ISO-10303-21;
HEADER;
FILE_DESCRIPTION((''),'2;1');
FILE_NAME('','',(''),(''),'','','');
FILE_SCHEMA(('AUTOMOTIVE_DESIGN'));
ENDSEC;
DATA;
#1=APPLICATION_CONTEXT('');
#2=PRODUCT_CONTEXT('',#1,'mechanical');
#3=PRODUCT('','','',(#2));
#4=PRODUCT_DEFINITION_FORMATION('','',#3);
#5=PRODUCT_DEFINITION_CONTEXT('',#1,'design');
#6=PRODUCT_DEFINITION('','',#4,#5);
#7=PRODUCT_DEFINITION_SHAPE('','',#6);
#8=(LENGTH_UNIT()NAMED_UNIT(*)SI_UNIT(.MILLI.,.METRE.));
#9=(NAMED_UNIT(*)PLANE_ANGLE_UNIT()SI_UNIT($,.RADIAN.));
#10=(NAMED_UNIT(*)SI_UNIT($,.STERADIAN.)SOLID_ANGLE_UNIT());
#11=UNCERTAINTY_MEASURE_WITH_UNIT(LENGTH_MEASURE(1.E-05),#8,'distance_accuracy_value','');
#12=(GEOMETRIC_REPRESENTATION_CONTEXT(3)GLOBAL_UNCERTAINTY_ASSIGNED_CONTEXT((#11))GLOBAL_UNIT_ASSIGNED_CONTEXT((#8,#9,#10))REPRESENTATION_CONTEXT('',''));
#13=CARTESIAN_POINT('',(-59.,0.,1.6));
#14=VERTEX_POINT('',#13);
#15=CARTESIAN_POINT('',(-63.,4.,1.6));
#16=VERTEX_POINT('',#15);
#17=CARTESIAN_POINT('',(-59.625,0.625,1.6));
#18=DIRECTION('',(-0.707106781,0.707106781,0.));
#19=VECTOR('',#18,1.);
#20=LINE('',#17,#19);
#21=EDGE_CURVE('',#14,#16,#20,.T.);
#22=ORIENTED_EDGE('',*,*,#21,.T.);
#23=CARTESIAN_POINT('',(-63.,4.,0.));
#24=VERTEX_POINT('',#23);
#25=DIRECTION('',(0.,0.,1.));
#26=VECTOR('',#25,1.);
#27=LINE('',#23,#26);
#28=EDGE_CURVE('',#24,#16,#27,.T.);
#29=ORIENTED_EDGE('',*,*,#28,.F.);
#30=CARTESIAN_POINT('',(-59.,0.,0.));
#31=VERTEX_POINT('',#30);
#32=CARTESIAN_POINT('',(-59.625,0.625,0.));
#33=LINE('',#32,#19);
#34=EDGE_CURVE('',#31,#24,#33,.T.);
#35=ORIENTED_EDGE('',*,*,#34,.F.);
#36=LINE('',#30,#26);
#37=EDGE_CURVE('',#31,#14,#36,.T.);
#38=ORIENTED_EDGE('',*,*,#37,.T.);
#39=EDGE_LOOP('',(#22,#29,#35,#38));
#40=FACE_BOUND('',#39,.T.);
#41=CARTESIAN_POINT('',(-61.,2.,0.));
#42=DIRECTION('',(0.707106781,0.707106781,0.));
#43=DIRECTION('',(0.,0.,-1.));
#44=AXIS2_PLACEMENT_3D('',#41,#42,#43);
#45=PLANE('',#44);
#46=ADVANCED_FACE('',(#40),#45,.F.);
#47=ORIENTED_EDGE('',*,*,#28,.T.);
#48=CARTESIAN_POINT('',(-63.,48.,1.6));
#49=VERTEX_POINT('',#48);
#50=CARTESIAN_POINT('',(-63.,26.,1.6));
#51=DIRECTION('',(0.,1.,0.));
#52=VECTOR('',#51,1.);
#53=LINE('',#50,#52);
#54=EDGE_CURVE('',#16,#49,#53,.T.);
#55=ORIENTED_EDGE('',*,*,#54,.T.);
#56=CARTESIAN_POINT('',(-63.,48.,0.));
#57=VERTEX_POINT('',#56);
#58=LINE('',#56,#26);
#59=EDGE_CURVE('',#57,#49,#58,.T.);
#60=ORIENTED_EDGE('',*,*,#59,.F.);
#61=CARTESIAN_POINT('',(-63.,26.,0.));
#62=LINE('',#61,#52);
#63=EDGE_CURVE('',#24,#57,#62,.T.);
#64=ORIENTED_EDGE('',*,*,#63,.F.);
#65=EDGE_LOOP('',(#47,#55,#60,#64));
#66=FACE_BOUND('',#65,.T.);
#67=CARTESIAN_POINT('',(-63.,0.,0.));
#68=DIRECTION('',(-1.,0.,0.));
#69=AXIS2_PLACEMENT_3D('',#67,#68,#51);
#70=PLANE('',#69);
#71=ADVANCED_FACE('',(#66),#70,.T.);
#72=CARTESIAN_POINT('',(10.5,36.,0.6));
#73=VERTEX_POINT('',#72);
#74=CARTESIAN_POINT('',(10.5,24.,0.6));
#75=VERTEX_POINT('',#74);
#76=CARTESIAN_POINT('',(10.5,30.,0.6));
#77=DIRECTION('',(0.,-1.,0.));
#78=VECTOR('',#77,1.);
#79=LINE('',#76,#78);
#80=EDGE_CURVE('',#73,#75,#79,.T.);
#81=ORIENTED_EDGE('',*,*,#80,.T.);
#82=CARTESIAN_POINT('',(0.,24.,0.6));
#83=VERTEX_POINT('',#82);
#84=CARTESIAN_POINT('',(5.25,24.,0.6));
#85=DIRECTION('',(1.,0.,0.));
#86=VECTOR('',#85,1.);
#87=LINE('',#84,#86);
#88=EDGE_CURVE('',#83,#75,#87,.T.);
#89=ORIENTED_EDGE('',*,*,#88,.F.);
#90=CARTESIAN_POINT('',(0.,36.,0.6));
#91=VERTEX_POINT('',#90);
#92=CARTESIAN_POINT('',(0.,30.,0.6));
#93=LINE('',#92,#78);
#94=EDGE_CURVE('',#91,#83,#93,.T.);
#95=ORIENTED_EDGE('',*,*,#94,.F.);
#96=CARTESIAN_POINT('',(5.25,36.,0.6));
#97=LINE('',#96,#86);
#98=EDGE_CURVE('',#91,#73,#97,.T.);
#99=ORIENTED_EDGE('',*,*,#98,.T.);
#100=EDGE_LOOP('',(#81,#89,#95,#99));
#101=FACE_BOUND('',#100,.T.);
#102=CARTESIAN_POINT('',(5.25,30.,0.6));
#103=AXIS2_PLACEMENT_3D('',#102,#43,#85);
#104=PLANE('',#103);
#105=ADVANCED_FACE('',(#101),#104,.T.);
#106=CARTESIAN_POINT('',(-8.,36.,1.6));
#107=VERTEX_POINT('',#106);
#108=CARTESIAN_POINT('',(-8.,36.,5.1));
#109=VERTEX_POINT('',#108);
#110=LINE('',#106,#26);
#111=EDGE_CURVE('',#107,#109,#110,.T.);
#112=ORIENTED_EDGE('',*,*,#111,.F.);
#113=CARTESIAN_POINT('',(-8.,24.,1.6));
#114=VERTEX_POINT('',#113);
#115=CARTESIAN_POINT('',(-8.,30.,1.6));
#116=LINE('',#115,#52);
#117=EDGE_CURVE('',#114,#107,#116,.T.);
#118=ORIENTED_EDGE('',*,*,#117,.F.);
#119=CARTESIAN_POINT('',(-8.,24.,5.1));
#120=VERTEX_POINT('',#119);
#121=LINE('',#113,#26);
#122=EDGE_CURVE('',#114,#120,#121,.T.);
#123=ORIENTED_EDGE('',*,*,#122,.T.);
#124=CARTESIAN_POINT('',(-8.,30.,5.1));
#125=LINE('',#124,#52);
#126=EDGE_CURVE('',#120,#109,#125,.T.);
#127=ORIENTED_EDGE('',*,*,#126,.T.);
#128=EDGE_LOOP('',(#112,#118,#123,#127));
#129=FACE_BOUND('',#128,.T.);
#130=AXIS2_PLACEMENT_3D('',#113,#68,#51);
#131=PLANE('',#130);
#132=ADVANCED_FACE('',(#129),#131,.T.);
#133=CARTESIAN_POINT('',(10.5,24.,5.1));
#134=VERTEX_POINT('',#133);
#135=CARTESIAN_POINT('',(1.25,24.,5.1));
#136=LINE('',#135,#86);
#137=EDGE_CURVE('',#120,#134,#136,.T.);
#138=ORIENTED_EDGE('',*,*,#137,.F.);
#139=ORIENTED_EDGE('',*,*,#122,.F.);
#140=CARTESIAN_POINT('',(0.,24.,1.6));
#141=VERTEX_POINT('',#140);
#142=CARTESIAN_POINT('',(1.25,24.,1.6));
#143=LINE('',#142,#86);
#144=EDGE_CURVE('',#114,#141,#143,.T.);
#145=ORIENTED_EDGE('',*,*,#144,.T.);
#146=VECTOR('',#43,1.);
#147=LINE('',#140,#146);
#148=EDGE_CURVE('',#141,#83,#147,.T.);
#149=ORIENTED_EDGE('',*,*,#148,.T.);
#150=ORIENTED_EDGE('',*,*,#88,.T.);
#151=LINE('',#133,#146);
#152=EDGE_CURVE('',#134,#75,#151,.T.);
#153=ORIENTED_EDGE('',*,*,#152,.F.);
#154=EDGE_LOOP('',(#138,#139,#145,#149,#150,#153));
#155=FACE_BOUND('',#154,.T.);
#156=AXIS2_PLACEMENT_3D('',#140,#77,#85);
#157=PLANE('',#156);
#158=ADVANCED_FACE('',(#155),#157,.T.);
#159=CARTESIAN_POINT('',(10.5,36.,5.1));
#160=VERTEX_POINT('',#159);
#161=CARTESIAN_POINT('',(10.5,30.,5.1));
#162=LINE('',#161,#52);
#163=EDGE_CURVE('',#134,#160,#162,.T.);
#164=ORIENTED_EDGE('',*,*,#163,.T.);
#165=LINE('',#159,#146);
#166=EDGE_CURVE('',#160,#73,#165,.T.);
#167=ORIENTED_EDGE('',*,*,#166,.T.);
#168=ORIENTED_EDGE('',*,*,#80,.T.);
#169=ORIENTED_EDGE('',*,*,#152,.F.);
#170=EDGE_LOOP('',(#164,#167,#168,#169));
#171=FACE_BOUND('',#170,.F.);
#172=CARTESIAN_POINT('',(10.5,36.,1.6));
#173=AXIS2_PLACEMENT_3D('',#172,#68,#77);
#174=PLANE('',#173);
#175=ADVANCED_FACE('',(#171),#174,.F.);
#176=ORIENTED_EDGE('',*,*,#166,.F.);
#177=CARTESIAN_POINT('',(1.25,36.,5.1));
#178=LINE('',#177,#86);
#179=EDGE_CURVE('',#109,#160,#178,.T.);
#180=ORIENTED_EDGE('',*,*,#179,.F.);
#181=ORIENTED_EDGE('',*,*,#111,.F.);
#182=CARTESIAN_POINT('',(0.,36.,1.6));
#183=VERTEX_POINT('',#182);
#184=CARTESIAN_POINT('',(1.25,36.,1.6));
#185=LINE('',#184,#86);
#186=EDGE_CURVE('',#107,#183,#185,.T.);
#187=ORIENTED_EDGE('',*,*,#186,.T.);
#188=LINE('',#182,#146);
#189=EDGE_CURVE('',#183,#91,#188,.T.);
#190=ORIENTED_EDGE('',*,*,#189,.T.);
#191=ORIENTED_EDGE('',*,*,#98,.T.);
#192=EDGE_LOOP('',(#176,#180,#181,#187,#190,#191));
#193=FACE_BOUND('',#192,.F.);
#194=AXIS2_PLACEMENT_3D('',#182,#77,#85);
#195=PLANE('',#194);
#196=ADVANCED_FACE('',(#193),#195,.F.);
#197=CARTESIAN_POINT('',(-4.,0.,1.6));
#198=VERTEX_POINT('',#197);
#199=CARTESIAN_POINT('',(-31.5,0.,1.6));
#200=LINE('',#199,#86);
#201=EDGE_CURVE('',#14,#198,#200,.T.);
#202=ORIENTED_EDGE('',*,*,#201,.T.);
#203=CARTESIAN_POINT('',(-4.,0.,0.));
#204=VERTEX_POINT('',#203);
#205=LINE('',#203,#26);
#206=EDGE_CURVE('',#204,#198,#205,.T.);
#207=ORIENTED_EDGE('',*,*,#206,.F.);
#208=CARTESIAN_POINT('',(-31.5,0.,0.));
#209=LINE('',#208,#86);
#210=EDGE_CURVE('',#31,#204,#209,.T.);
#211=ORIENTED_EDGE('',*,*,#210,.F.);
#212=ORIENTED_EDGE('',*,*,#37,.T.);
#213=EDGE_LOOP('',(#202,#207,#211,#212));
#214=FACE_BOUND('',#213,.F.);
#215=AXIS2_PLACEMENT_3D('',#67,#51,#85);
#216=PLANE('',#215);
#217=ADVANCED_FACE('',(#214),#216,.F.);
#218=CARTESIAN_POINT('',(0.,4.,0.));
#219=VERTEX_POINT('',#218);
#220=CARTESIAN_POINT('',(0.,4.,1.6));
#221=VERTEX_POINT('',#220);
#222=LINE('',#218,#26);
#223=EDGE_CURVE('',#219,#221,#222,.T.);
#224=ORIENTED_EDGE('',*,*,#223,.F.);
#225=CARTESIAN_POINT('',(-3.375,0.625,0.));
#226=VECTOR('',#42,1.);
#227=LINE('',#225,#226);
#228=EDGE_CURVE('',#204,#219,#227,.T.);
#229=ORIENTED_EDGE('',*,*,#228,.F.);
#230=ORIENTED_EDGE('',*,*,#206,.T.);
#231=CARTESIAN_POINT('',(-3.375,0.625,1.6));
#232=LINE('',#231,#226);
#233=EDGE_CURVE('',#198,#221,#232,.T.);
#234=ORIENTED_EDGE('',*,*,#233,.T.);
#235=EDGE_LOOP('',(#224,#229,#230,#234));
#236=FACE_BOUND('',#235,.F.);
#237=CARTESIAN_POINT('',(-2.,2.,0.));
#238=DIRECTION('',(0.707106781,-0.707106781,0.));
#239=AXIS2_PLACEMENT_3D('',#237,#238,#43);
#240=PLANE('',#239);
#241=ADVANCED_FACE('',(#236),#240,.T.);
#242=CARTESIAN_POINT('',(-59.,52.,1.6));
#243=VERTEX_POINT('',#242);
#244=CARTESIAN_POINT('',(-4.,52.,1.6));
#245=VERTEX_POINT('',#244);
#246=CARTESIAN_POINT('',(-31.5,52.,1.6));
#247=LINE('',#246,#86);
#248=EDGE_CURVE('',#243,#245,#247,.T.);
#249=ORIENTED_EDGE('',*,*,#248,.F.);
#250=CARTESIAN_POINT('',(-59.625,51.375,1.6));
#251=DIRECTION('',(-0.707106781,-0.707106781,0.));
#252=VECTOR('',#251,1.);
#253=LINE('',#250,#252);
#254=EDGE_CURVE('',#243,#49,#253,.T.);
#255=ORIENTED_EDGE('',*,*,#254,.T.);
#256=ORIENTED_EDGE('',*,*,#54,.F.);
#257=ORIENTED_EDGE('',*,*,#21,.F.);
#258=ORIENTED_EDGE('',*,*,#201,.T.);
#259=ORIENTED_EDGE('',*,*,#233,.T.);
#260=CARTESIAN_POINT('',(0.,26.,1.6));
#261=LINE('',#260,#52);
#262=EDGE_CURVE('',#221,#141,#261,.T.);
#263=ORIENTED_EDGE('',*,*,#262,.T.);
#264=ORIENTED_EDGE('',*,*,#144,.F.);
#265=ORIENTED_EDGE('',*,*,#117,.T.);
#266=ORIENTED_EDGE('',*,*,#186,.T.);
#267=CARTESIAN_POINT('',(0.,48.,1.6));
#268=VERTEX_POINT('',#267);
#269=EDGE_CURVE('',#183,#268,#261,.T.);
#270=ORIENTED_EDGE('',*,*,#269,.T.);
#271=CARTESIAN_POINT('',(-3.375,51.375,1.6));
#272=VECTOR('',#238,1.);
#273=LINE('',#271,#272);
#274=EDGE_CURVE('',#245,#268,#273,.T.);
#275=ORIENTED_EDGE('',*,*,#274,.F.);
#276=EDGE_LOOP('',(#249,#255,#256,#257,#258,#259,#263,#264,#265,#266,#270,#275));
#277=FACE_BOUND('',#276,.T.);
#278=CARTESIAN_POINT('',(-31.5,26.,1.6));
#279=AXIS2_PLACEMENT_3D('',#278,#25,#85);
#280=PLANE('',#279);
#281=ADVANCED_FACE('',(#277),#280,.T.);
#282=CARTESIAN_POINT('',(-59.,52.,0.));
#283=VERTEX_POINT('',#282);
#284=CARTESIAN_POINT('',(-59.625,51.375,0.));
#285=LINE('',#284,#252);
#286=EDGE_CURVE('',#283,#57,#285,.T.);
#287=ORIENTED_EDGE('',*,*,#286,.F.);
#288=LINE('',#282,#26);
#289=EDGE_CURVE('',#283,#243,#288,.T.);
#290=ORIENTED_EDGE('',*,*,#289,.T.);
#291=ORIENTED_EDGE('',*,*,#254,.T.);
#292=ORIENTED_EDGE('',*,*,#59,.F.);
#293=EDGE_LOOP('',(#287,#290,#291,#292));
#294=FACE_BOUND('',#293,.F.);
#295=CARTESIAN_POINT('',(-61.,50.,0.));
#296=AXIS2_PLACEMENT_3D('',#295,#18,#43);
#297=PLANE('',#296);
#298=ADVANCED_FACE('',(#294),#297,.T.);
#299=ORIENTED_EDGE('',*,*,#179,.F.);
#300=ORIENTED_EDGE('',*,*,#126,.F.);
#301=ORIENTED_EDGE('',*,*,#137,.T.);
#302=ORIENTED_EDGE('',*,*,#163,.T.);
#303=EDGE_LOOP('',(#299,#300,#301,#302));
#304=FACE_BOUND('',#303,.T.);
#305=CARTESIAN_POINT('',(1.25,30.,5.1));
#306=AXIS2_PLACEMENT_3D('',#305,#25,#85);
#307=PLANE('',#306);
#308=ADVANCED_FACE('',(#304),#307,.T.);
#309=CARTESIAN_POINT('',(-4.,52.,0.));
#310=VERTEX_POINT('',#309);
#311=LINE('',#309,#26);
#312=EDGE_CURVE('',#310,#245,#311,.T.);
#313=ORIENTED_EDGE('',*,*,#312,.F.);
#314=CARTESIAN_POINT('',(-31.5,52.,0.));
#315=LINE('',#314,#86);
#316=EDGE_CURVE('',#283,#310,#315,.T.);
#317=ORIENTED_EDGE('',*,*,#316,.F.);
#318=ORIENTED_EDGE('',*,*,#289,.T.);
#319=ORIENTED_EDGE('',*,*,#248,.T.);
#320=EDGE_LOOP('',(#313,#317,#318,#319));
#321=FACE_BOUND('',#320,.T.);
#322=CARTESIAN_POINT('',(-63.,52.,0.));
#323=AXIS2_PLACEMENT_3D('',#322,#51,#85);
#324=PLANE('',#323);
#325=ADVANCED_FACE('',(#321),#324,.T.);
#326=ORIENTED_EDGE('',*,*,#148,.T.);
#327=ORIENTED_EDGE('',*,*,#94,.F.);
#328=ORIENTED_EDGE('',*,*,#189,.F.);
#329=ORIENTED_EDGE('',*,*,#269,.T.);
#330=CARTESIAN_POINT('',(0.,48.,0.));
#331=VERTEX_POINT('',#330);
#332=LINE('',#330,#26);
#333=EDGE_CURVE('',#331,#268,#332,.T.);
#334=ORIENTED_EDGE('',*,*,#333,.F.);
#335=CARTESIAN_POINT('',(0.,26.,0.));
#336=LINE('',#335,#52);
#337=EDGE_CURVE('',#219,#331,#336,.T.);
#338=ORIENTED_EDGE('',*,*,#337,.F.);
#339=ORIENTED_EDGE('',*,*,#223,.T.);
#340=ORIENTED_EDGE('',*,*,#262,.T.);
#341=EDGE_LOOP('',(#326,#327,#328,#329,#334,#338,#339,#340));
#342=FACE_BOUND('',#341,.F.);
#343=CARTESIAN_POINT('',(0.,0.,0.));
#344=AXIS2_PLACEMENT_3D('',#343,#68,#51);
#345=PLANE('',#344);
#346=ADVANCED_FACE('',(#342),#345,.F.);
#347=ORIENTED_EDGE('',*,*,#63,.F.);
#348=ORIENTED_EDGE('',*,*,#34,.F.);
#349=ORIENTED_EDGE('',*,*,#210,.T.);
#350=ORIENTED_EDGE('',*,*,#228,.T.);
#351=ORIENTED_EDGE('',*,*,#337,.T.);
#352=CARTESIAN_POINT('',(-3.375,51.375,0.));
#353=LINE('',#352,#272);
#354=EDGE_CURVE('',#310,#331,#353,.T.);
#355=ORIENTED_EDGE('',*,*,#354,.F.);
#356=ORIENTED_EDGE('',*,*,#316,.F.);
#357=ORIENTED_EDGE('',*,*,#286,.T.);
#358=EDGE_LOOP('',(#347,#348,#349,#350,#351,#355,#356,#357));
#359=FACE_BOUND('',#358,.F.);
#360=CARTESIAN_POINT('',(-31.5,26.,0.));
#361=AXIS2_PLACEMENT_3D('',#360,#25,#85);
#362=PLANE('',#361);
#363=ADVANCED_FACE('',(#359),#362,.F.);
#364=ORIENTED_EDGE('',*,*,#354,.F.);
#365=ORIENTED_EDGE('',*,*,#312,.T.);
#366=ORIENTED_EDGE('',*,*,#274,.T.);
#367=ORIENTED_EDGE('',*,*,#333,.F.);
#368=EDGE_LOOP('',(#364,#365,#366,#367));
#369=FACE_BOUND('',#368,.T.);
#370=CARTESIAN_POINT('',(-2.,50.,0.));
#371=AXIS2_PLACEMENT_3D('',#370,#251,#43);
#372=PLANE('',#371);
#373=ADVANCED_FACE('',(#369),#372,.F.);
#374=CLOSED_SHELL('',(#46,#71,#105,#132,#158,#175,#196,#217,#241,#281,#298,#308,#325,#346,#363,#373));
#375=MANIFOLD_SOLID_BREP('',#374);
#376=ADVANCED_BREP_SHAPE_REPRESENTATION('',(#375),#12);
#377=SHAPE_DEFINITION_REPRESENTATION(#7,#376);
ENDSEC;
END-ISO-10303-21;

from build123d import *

# Parameters (mm, degrees)
F0_W     = 63
F0_H     = 52
F1_DEPTH = 1.6
F2_W     = 18.5
F2_H     = 12
F3_DEPTH = 3.5
F4_W     = 10.5
F4_H     = 12
F5_DEPTH = 1
F6_SIZE  = 4


with BuildPart() as f1:
    # F0 (on Top) → F1 (new body)
    with BuildSketch(Plane.XY):
        with Locations((-31.5, 26)):
            Rectangle(F0_W, F0_H)
    extrude(amount=F1_DEPTH)

    # F2 (on face) → F3 (join)
    with BuildSketch(Plane.XY.offset(1.6)):
        with Locations((1.25, 30)):
            Rectangle(F2_W, F2_H)
    extrude(amount=F3_DEPTH)

    # F4 (on face) → F5 (join)
    with BuildSketch(Plane(origin=(0, 0, 1.6), x_dir=(1, 0, 0), z_dir=(0, 0, -1))):
        with Locations((5.25, -30)):
            Rectangle(F4_W, F4_H)
    extrude(amount=F5_DEPTH)

    # F6
    f6_edges = [f1.edges().sort_by_distance(p)[0] for p in [
        (-63, 52, 0.8),
        (0, 52, 0.8),
        (-63, 0, 0.8),
        (0, 0, 0.8),
    ]]
    chamfer(f6_edges, length=F6_SIZE)


solid = f1.part
